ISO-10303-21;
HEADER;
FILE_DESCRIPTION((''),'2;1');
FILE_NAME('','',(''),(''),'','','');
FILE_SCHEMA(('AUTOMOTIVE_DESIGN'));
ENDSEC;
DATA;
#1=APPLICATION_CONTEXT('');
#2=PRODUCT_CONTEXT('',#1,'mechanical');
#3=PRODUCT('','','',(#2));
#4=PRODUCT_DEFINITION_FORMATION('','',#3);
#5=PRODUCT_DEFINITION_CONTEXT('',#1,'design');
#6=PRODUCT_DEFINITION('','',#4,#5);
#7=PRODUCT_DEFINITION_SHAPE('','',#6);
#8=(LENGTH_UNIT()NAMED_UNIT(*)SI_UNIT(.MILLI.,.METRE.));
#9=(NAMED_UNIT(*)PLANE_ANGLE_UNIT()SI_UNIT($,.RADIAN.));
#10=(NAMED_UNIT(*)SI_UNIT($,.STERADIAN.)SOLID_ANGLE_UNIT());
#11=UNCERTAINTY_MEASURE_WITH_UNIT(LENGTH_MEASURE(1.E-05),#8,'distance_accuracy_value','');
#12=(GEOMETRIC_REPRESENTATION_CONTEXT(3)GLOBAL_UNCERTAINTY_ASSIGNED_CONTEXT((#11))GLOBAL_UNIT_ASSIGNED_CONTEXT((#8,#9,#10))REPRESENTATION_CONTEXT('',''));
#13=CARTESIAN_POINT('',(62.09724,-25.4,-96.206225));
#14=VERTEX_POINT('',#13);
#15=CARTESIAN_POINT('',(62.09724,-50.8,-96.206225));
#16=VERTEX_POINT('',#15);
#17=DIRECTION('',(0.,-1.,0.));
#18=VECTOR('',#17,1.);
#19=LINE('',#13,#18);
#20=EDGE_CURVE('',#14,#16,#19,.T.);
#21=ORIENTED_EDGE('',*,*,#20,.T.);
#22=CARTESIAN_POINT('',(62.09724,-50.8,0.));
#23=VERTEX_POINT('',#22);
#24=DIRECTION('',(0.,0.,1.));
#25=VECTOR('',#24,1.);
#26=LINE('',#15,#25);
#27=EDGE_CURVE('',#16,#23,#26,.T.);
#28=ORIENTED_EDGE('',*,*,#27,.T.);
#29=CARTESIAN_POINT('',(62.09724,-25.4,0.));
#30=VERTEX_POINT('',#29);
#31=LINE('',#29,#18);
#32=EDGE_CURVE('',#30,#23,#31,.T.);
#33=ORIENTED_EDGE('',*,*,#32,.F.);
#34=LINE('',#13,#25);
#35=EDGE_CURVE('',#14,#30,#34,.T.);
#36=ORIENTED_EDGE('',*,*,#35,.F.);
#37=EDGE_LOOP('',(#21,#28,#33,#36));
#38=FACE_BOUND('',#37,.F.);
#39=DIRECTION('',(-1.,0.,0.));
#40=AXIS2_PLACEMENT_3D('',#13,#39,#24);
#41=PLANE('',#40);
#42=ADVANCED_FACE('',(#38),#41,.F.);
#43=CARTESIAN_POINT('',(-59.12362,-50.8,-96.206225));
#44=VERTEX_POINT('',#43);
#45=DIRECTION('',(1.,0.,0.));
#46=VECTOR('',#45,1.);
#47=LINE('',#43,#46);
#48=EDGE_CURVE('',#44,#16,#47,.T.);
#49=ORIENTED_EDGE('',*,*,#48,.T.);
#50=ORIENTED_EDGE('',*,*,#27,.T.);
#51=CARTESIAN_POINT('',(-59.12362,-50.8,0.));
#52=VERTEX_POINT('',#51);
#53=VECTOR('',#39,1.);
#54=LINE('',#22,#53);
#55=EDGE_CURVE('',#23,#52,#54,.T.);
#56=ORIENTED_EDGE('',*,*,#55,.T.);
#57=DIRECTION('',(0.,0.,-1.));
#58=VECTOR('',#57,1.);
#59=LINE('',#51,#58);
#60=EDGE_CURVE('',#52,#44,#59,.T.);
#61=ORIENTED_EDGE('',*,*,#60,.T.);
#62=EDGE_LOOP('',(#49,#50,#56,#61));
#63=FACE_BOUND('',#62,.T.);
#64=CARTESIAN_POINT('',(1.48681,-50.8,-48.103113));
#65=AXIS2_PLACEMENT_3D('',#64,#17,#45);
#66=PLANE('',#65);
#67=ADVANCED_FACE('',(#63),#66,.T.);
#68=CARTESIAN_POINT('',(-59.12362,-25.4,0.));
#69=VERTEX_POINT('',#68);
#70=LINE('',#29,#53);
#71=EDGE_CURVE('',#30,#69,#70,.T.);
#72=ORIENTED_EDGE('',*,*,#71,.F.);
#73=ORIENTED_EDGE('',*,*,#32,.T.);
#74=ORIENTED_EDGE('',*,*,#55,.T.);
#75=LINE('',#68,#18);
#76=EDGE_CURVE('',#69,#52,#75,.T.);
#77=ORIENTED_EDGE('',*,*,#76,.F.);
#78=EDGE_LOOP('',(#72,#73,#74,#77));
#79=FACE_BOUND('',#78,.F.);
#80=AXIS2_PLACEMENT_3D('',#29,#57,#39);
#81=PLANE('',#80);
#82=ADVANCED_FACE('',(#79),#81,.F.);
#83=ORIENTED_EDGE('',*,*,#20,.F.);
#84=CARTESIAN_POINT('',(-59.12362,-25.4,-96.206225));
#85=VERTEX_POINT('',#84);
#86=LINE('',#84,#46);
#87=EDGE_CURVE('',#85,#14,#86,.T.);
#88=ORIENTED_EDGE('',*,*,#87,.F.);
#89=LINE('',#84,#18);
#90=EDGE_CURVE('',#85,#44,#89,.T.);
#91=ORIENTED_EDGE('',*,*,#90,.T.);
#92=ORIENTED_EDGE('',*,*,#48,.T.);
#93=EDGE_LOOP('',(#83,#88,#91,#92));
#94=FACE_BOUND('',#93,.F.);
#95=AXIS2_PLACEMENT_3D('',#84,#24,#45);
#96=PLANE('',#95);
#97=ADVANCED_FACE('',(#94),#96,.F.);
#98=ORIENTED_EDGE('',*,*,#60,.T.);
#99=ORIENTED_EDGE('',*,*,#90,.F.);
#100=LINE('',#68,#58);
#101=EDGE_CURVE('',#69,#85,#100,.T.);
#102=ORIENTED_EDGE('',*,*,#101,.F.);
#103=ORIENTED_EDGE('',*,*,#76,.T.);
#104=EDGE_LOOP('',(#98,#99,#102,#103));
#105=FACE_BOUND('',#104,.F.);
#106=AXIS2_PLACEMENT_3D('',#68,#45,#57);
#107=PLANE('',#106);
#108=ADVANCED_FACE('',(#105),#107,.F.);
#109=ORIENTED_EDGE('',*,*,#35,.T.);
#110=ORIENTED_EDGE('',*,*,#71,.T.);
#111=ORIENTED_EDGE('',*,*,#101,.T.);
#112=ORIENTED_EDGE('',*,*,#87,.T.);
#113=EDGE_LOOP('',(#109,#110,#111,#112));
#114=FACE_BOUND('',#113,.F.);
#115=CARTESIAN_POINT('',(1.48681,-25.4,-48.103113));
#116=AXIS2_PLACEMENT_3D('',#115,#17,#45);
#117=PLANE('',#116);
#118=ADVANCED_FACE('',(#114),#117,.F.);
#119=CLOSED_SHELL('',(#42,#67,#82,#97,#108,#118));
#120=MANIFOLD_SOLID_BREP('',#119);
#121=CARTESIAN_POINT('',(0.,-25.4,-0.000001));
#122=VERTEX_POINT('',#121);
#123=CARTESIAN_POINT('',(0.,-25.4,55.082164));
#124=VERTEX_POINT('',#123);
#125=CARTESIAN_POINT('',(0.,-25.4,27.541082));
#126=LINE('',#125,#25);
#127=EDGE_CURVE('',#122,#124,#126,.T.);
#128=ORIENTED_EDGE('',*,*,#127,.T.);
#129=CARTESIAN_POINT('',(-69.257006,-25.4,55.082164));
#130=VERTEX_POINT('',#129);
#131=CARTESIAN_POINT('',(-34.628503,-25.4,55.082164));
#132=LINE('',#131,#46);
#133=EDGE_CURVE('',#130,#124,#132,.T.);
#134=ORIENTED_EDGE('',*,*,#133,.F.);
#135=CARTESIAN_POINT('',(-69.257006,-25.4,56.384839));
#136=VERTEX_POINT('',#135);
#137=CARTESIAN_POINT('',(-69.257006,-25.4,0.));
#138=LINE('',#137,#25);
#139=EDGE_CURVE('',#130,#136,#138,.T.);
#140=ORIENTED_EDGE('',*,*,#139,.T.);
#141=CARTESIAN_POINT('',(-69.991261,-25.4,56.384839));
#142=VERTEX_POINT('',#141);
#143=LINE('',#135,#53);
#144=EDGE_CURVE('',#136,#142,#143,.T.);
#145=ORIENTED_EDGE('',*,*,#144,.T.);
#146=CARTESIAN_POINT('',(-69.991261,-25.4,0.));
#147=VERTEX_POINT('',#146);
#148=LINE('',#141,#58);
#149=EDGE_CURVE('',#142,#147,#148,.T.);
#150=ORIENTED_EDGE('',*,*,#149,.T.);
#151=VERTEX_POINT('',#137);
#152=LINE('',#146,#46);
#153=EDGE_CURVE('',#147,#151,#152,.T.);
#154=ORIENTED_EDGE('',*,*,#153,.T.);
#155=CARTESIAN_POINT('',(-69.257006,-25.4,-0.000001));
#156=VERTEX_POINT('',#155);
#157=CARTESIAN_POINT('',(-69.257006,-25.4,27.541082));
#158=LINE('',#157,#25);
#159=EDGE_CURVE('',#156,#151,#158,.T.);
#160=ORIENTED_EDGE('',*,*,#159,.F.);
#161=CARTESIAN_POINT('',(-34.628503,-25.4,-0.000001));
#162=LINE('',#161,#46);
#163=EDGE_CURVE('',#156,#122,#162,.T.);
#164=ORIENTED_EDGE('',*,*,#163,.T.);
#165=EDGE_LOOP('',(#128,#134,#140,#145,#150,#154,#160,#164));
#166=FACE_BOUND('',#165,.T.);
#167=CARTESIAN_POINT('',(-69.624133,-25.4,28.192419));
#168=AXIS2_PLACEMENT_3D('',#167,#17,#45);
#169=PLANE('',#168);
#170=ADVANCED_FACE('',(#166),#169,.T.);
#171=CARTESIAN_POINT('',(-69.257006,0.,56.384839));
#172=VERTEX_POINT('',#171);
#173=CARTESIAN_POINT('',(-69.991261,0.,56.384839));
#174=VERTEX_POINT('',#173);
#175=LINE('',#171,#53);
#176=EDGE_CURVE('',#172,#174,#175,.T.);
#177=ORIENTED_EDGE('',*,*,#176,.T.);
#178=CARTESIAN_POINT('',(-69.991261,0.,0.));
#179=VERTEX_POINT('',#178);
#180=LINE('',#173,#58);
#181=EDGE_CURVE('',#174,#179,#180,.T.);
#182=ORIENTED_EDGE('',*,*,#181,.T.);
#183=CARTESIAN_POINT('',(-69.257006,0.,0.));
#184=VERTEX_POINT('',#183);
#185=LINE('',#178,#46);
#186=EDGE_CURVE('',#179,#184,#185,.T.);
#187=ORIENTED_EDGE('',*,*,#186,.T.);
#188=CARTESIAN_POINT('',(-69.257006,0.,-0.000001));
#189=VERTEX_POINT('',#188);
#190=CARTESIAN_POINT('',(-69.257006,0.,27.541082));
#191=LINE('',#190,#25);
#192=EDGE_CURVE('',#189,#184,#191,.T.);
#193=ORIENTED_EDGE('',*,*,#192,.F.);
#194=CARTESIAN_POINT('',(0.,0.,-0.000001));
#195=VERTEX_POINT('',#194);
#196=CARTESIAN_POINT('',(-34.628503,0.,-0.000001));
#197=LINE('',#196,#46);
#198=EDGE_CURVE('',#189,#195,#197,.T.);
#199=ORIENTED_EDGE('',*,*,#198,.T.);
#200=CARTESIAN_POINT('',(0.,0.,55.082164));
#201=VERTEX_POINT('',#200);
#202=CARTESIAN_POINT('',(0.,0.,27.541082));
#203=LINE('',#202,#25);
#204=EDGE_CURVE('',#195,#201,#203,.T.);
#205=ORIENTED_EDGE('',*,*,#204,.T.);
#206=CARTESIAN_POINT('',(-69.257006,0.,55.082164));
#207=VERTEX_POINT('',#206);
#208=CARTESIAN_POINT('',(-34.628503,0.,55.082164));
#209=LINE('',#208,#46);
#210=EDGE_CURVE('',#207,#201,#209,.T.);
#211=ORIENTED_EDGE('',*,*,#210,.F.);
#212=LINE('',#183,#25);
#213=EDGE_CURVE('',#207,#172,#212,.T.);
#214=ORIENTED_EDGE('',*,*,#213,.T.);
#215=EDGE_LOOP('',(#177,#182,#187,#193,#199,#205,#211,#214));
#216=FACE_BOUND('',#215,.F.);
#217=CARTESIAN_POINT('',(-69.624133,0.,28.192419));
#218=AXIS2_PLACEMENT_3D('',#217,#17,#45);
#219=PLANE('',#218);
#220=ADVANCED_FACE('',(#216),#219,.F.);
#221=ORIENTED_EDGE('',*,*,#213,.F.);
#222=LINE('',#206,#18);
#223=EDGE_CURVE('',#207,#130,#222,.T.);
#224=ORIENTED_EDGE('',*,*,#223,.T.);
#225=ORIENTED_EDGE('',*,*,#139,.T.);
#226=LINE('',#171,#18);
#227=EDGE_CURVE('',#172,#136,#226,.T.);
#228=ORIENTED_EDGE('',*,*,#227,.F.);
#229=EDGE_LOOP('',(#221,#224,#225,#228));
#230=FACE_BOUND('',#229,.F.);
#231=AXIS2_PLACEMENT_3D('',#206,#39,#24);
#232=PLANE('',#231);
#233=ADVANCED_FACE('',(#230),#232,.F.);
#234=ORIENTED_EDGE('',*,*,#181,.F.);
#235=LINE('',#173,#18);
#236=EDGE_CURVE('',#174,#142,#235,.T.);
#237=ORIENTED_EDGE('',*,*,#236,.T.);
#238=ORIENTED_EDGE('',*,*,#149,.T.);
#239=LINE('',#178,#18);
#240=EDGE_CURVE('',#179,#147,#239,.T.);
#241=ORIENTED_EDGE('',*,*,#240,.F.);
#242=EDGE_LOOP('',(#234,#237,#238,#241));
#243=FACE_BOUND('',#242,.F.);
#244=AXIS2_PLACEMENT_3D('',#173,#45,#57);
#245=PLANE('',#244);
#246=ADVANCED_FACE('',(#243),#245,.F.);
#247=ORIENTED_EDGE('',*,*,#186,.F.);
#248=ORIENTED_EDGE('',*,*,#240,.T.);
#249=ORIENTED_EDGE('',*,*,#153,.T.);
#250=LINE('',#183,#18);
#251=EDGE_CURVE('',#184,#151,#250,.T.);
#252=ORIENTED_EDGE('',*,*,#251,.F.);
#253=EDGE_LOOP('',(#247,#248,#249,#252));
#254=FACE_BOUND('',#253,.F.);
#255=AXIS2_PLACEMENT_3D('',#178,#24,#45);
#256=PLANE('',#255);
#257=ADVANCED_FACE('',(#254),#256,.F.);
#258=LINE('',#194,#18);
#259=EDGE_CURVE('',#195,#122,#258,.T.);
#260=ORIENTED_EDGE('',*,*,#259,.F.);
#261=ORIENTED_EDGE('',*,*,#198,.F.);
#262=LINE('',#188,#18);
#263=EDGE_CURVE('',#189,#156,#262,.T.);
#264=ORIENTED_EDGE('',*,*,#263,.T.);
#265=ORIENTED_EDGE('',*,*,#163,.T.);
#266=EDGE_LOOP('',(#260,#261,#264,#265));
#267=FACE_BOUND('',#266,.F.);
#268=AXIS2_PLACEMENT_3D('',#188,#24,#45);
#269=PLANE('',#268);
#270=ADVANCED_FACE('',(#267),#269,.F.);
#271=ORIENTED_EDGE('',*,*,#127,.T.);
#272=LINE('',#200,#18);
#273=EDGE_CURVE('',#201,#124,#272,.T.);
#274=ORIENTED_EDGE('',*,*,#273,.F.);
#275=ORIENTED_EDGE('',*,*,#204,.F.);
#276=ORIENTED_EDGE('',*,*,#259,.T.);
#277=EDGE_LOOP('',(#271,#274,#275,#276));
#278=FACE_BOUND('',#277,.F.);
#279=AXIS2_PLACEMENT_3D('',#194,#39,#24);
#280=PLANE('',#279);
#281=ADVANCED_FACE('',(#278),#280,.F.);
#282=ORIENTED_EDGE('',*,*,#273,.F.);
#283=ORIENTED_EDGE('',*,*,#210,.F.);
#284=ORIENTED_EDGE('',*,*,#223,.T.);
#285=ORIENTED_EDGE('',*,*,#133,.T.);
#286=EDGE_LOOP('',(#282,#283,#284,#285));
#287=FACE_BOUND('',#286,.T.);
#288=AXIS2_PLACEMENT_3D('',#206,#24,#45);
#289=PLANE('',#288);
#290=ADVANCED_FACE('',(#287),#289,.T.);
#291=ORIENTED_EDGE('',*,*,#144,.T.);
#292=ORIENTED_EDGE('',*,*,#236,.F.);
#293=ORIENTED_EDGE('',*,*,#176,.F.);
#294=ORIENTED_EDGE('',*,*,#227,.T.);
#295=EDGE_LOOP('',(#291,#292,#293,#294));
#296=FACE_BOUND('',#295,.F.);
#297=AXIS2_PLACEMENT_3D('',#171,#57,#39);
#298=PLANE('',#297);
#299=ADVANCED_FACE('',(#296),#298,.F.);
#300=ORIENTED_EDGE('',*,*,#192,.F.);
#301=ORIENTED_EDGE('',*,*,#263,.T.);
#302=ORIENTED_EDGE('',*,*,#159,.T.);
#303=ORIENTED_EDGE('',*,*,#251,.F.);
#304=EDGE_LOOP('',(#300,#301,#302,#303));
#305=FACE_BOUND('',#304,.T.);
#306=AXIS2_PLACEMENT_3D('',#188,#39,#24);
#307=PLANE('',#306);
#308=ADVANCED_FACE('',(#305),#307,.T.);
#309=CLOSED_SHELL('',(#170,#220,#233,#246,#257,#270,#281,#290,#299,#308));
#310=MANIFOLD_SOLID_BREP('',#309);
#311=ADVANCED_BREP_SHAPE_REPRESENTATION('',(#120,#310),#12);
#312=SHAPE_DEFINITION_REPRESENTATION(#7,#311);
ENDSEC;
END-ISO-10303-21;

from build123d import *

# Parameters (mm, degrees)
F0_W     = 69.257006
F0_H     = 55.082165
F1_DEPTH = 25.4
F4_DEPTH = 25.4


with BuildPart() as f1:
    # F0 (on Front) → F1 (new body)
    with BuildSketch(Plane.XZ):
        Polygon((-69.991261, 0), (-69.257006, 0), (-69.257006, 55.082165), (-69.257006, 56.384839), (-69.991261, 56.384839), align=None)
        with Locations((-34.628503, 27.541082)):
            Rectangle(F0_W, F0_H)
    extrude(amount=F1_DEPTH)


with BuildPart() as f4:
    # F3 (on face) → F4 (new body)
    with BuildSketch(Plane.XZ.offset(25.4)):
        Polygon((0, 0), (-59.12362, 0), (-59.12362, -96.206225), (62.09724, -96.206225), (62.09724, 0), align=None)
    extrude(amount=F4_DEPTH)


solid = Compound([f1.part, f4.part])
